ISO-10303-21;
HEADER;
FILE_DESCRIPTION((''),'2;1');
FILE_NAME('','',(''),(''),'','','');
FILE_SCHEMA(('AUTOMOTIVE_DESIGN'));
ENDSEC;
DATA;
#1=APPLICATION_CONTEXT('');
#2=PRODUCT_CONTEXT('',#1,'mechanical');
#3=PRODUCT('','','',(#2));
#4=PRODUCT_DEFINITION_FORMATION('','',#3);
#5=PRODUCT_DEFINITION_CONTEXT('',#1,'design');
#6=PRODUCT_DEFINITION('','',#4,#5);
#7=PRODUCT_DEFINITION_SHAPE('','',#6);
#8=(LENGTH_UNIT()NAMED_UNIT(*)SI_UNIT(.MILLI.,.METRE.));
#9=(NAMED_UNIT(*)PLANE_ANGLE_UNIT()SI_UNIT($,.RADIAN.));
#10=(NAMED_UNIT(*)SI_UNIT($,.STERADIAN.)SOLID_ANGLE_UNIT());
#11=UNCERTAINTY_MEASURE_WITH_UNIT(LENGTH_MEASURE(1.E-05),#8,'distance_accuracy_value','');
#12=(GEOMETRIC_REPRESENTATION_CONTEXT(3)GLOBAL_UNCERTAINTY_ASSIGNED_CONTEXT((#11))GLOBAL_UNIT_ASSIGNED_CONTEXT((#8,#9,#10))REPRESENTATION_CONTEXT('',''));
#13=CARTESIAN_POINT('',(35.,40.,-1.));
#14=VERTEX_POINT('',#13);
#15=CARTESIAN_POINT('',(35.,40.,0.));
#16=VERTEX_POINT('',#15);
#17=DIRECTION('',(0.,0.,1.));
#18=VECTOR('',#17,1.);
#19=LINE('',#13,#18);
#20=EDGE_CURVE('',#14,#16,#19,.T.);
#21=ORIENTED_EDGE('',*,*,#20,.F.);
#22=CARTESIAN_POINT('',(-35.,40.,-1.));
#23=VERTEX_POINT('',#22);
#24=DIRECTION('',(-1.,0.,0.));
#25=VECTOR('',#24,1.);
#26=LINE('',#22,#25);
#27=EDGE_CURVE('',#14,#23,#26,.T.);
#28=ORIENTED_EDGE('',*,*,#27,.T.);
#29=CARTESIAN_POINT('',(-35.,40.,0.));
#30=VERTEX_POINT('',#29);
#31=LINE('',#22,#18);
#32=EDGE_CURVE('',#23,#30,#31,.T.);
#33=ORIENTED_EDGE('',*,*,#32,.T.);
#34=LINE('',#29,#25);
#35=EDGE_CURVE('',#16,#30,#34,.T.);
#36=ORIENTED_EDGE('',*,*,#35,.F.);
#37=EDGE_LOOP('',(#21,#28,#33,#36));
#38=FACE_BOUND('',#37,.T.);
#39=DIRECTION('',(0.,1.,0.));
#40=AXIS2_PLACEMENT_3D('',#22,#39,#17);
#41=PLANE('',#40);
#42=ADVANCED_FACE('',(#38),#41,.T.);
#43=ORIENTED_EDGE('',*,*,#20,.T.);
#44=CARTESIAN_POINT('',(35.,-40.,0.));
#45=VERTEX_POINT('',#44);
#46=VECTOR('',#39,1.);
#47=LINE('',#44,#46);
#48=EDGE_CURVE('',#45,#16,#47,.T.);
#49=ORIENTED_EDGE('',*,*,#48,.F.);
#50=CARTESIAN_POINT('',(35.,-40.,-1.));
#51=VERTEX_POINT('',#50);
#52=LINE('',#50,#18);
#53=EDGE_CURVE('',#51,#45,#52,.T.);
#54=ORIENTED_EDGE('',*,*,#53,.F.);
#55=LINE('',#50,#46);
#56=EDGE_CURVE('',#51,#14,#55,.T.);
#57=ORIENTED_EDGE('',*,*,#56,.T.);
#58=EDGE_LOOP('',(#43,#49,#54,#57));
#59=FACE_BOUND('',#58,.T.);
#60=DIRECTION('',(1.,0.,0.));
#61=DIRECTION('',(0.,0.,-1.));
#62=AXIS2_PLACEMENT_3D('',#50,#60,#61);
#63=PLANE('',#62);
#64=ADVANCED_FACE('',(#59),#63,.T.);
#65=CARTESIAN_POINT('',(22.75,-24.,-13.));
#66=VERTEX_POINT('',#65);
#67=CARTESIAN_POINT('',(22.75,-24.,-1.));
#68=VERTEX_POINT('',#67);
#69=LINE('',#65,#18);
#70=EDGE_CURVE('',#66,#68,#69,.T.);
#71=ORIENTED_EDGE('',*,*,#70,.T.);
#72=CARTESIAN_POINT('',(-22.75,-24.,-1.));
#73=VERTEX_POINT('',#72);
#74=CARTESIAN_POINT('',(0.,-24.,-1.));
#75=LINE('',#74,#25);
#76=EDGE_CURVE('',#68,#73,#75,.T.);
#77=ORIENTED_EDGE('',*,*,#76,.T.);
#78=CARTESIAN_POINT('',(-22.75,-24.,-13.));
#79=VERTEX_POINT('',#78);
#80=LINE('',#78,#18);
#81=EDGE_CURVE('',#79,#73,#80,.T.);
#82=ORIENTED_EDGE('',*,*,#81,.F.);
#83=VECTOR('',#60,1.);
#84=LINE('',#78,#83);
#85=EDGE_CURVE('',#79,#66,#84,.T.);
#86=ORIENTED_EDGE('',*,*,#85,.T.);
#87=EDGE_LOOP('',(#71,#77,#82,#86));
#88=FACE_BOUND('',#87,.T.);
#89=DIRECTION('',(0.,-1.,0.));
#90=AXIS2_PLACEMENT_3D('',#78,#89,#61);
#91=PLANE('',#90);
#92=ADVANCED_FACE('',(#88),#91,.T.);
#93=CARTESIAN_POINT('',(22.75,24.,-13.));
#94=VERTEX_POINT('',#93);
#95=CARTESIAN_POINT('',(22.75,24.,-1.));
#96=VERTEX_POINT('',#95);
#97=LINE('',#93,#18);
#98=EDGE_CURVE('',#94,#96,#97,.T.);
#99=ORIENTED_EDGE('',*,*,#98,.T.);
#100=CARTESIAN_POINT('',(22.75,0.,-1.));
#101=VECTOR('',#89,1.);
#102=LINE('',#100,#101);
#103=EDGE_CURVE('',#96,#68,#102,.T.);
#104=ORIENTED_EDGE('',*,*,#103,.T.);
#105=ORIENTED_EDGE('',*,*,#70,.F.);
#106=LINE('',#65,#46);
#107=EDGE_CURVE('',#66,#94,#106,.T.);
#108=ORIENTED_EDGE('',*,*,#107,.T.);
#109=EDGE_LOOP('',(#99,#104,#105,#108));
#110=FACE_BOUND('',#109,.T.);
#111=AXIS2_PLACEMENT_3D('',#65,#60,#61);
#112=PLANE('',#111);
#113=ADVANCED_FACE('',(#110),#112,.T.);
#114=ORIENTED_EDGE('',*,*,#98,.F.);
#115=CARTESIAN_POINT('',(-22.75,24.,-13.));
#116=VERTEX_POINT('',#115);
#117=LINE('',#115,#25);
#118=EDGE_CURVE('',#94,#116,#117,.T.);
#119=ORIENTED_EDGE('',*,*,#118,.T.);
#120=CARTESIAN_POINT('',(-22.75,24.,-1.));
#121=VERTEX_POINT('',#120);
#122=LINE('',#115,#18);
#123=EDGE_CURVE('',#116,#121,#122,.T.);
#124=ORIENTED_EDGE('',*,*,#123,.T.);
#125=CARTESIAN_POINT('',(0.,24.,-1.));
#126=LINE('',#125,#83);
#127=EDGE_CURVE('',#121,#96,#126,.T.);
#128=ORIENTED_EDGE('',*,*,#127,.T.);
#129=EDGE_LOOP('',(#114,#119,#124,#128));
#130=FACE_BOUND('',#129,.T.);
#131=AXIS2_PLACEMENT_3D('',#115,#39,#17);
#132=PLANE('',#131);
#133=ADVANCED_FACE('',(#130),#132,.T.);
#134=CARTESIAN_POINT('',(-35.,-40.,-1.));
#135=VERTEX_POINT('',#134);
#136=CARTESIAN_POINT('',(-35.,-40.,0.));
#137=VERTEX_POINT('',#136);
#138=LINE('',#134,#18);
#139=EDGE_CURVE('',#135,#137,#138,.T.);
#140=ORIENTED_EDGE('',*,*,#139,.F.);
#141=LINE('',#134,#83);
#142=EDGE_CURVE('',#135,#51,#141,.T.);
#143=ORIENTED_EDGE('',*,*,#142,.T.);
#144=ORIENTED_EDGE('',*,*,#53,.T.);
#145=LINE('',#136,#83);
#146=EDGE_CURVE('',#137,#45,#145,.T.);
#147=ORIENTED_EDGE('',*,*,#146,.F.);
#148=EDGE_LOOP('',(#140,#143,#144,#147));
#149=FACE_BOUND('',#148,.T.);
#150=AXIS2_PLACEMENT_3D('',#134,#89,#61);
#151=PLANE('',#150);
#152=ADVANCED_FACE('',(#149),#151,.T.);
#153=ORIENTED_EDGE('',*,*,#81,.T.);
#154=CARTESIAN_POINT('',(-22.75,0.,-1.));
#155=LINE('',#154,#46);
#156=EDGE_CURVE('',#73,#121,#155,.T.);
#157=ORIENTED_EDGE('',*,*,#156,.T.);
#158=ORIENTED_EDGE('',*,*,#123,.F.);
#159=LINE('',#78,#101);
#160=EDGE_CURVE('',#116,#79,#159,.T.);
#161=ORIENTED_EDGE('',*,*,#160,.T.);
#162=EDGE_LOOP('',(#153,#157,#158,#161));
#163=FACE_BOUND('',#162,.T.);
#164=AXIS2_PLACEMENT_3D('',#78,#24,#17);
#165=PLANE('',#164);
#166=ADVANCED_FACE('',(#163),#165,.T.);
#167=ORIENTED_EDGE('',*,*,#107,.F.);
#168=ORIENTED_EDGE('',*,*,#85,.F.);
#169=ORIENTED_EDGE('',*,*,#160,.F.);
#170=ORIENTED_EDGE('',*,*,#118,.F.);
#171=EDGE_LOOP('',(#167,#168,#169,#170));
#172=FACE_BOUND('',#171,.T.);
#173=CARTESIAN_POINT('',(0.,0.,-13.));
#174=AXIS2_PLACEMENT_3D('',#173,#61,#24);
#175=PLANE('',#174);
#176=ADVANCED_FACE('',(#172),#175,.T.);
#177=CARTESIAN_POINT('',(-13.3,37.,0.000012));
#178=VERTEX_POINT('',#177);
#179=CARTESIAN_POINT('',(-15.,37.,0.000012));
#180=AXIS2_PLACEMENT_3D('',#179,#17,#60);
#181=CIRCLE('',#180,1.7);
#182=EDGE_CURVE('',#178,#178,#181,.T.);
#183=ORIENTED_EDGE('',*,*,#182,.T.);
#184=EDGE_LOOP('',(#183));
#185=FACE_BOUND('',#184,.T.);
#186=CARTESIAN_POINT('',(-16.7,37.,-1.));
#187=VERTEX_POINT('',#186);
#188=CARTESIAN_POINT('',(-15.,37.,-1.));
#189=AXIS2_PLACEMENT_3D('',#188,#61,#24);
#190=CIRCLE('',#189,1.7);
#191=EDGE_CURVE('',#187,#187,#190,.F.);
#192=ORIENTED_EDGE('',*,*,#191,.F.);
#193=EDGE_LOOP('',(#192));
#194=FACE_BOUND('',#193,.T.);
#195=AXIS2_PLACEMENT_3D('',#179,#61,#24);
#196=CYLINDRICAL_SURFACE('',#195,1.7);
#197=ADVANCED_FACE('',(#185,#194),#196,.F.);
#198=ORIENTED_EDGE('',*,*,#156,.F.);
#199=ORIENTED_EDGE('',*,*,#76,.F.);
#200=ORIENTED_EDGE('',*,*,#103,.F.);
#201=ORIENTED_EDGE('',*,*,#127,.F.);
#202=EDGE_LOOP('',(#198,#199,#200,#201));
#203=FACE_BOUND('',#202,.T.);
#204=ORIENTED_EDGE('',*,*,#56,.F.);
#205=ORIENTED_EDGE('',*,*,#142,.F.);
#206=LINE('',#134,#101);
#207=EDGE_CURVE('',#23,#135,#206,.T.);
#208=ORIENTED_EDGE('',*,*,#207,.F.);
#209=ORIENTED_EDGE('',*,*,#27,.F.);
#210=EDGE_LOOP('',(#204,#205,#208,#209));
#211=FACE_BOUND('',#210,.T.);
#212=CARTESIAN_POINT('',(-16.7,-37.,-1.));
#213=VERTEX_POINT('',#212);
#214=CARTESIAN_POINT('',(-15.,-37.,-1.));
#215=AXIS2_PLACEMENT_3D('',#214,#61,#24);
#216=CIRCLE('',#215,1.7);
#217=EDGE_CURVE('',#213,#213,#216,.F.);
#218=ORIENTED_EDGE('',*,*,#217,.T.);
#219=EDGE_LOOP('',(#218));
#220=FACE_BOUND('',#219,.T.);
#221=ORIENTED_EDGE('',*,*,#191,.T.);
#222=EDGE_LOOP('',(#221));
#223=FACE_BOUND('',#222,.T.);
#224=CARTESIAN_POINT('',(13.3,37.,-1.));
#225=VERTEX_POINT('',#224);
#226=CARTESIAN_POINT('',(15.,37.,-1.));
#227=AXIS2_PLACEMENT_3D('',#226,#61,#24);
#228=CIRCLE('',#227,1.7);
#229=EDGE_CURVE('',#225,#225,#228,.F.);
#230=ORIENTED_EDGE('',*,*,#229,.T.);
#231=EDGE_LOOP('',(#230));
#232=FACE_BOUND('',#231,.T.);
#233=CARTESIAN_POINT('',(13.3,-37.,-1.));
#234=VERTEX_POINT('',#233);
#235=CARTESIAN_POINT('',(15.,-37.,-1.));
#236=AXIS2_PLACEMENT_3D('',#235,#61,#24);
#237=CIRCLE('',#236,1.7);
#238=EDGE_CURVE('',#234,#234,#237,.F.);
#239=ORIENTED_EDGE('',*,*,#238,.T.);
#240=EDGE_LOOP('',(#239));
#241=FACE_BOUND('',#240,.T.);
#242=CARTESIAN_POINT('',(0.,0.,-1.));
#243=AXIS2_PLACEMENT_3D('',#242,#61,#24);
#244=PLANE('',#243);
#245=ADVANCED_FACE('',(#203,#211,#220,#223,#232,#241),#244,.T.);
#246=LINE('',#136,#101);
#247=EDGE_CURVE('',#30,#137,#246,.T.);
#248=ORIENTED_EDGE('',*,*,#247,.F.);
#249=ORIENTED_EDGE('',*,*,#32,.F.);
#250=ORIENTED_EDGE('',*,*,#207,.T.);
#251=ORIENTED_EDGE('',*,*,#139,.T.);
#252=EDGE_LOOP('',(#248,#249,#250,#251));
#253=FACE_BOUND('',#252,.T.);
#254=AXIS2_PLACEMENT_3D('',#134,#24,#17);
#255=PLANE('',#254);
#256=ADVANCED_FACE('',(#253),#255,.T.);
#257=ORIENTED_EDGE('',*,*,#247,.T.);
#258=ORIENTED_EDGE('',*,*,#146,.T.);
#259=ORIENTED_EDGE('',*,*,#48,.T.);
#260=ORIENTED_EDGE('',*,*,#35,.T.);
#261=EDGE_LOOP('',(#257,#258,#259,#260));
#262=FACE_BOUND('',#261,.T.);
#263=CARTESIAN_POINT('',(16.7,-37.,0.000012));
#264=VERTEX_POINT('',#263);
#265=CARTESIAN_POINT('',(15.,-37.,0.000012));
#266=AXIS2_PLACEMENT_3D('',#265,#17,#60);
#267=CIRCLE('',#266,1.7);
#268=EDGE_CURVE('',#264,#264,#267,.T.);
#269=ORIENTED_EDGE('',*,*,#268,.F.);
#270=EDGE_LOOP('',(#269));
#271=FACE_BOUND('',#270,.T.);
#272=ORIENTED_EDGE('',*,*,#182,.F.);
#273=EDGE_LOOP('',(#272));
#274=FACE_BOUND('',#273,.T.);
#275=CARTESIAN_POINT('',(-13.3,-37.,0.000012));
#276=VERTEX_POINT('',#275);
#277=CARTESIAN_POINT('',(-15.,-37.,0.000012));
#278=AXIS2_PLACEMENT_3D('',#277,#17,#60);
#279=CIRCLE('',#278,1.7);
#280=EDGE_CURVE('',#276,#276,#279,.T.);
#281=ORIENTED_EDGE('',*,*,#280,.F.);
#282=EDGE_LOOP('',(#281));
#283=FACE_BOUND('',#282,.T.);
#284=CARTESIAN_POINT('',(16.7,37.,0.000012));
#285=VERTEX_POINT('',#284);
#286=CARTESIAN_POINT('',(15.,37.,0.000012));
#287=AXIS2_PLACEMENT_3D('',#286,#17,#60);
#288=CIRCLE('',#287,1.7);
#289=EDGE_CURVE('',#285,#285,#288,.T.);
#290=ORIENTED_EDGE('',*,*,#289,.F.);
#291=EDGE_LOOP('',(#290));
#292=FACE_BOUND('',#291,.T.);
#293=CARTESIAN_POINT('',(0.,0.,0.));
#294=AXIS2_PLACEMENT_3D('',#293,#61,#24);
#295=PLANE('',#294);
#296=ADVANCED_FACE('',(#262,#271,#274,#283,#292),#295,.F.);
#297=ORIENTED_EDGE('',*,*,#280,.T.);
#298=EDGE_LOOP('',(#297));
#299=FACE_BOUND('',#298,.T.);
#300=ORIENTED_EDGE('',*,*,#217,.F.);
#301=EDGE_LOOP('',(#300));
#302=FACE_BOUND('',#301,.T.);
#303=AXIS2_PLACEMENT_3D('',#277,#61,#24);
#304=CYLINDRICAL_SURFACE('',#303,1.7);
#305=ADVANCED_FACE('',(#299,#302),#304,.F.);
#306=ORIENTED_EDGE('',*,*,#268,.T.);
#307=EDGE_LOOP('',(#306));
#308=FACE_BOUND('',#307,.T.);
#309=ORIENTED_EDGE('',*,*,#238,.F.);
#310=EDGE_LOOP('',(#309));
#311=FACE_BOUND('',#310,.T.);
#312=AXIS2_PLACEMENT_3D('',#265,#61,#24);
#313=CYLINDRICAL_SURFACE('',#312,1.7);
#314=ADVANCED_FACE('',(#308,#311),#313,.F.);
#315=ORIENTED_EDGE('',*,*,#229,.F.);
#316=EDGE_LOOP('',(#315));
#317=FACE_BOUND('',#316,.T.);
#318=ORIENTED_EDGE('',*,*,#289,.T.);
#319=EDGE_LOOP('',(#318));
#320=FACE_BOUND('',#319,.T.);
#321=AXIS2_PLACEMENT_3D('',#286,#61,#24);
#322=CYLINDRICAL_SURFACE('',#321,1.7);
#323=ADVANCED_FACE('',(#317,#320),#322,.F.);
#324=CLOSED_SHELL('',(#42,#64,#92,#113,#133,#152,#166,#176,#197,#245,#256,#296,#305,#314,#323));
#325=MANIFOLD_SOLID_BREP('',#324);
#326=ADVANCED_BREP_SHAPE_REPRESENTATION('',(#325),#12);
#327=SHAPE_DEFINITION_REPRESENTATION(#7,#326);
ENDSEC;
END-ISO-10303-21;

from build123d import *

# Parameters (mm, degrees)
SKETCH1_W                   = 70
SKETCH1_H                   = 80
BOSS_EXTRUDE1_DEPTH         = 1
SKETCH2_W                   = 45.5
SKETCH2_H                   = 48
BOSS_EXTRUDE2_DEPTH         = 13
LO_M3_BAT_DRIVER_DEPTH      = 55.717456081
LO_M3_BAT_DRIVER_DEPTH_BACK = 55.717456081
SKETCH3_R                   = 1.7


with BuildPart() as part:
    # Sketch1 → Boss-Extrude1 (new body)
    with BuildSketch(Plane.XY):
        Rectangle(SKETCH1_W, SKETCH1_H)
    extrude(amount=-BOSS_EXTRUDE1_DEPTH)

    # Sketch2 → Boss-Extrude2 (add)
    with BuildSketch(Plane.XY):
        Rectangle(SKETCH2_W, SKETCH2_H)
    extrude(amount=-BOSS_EXTRUDE2_DEPTH)

    # Sketch3 → Lo_M3_bat_driver (cut, two sides: drawn at the far end of the back side and taken through both)
    with BuildSketch(Plane.XY.offset(-LO_M3_BAT_DRIVER_DEPTH_BACK)):
        with Locations(Location((-15, -37, 0), (0, 0, 180))):
            Circle(SKETCH3_R)
        with Locations(Location((-15, 37, 0), (0, 0, 180))):
            Circle(SKETCH3_R)
        with Locations(Location((15, -37, 0), (0, 0, 180))):
            Circle(SKETCH3_R)
        with Locations(Location((15, 37, 0), (0, 0, 180))):
            Circle(SKETCH3_R)
    extrude(amount=LO_M3_BAT_DRIVER_DEPTH + LO_M3_BAT_DRIVER_DEPTH_BACK, mode=Mode.SUBTRACT)


solid = part.part
